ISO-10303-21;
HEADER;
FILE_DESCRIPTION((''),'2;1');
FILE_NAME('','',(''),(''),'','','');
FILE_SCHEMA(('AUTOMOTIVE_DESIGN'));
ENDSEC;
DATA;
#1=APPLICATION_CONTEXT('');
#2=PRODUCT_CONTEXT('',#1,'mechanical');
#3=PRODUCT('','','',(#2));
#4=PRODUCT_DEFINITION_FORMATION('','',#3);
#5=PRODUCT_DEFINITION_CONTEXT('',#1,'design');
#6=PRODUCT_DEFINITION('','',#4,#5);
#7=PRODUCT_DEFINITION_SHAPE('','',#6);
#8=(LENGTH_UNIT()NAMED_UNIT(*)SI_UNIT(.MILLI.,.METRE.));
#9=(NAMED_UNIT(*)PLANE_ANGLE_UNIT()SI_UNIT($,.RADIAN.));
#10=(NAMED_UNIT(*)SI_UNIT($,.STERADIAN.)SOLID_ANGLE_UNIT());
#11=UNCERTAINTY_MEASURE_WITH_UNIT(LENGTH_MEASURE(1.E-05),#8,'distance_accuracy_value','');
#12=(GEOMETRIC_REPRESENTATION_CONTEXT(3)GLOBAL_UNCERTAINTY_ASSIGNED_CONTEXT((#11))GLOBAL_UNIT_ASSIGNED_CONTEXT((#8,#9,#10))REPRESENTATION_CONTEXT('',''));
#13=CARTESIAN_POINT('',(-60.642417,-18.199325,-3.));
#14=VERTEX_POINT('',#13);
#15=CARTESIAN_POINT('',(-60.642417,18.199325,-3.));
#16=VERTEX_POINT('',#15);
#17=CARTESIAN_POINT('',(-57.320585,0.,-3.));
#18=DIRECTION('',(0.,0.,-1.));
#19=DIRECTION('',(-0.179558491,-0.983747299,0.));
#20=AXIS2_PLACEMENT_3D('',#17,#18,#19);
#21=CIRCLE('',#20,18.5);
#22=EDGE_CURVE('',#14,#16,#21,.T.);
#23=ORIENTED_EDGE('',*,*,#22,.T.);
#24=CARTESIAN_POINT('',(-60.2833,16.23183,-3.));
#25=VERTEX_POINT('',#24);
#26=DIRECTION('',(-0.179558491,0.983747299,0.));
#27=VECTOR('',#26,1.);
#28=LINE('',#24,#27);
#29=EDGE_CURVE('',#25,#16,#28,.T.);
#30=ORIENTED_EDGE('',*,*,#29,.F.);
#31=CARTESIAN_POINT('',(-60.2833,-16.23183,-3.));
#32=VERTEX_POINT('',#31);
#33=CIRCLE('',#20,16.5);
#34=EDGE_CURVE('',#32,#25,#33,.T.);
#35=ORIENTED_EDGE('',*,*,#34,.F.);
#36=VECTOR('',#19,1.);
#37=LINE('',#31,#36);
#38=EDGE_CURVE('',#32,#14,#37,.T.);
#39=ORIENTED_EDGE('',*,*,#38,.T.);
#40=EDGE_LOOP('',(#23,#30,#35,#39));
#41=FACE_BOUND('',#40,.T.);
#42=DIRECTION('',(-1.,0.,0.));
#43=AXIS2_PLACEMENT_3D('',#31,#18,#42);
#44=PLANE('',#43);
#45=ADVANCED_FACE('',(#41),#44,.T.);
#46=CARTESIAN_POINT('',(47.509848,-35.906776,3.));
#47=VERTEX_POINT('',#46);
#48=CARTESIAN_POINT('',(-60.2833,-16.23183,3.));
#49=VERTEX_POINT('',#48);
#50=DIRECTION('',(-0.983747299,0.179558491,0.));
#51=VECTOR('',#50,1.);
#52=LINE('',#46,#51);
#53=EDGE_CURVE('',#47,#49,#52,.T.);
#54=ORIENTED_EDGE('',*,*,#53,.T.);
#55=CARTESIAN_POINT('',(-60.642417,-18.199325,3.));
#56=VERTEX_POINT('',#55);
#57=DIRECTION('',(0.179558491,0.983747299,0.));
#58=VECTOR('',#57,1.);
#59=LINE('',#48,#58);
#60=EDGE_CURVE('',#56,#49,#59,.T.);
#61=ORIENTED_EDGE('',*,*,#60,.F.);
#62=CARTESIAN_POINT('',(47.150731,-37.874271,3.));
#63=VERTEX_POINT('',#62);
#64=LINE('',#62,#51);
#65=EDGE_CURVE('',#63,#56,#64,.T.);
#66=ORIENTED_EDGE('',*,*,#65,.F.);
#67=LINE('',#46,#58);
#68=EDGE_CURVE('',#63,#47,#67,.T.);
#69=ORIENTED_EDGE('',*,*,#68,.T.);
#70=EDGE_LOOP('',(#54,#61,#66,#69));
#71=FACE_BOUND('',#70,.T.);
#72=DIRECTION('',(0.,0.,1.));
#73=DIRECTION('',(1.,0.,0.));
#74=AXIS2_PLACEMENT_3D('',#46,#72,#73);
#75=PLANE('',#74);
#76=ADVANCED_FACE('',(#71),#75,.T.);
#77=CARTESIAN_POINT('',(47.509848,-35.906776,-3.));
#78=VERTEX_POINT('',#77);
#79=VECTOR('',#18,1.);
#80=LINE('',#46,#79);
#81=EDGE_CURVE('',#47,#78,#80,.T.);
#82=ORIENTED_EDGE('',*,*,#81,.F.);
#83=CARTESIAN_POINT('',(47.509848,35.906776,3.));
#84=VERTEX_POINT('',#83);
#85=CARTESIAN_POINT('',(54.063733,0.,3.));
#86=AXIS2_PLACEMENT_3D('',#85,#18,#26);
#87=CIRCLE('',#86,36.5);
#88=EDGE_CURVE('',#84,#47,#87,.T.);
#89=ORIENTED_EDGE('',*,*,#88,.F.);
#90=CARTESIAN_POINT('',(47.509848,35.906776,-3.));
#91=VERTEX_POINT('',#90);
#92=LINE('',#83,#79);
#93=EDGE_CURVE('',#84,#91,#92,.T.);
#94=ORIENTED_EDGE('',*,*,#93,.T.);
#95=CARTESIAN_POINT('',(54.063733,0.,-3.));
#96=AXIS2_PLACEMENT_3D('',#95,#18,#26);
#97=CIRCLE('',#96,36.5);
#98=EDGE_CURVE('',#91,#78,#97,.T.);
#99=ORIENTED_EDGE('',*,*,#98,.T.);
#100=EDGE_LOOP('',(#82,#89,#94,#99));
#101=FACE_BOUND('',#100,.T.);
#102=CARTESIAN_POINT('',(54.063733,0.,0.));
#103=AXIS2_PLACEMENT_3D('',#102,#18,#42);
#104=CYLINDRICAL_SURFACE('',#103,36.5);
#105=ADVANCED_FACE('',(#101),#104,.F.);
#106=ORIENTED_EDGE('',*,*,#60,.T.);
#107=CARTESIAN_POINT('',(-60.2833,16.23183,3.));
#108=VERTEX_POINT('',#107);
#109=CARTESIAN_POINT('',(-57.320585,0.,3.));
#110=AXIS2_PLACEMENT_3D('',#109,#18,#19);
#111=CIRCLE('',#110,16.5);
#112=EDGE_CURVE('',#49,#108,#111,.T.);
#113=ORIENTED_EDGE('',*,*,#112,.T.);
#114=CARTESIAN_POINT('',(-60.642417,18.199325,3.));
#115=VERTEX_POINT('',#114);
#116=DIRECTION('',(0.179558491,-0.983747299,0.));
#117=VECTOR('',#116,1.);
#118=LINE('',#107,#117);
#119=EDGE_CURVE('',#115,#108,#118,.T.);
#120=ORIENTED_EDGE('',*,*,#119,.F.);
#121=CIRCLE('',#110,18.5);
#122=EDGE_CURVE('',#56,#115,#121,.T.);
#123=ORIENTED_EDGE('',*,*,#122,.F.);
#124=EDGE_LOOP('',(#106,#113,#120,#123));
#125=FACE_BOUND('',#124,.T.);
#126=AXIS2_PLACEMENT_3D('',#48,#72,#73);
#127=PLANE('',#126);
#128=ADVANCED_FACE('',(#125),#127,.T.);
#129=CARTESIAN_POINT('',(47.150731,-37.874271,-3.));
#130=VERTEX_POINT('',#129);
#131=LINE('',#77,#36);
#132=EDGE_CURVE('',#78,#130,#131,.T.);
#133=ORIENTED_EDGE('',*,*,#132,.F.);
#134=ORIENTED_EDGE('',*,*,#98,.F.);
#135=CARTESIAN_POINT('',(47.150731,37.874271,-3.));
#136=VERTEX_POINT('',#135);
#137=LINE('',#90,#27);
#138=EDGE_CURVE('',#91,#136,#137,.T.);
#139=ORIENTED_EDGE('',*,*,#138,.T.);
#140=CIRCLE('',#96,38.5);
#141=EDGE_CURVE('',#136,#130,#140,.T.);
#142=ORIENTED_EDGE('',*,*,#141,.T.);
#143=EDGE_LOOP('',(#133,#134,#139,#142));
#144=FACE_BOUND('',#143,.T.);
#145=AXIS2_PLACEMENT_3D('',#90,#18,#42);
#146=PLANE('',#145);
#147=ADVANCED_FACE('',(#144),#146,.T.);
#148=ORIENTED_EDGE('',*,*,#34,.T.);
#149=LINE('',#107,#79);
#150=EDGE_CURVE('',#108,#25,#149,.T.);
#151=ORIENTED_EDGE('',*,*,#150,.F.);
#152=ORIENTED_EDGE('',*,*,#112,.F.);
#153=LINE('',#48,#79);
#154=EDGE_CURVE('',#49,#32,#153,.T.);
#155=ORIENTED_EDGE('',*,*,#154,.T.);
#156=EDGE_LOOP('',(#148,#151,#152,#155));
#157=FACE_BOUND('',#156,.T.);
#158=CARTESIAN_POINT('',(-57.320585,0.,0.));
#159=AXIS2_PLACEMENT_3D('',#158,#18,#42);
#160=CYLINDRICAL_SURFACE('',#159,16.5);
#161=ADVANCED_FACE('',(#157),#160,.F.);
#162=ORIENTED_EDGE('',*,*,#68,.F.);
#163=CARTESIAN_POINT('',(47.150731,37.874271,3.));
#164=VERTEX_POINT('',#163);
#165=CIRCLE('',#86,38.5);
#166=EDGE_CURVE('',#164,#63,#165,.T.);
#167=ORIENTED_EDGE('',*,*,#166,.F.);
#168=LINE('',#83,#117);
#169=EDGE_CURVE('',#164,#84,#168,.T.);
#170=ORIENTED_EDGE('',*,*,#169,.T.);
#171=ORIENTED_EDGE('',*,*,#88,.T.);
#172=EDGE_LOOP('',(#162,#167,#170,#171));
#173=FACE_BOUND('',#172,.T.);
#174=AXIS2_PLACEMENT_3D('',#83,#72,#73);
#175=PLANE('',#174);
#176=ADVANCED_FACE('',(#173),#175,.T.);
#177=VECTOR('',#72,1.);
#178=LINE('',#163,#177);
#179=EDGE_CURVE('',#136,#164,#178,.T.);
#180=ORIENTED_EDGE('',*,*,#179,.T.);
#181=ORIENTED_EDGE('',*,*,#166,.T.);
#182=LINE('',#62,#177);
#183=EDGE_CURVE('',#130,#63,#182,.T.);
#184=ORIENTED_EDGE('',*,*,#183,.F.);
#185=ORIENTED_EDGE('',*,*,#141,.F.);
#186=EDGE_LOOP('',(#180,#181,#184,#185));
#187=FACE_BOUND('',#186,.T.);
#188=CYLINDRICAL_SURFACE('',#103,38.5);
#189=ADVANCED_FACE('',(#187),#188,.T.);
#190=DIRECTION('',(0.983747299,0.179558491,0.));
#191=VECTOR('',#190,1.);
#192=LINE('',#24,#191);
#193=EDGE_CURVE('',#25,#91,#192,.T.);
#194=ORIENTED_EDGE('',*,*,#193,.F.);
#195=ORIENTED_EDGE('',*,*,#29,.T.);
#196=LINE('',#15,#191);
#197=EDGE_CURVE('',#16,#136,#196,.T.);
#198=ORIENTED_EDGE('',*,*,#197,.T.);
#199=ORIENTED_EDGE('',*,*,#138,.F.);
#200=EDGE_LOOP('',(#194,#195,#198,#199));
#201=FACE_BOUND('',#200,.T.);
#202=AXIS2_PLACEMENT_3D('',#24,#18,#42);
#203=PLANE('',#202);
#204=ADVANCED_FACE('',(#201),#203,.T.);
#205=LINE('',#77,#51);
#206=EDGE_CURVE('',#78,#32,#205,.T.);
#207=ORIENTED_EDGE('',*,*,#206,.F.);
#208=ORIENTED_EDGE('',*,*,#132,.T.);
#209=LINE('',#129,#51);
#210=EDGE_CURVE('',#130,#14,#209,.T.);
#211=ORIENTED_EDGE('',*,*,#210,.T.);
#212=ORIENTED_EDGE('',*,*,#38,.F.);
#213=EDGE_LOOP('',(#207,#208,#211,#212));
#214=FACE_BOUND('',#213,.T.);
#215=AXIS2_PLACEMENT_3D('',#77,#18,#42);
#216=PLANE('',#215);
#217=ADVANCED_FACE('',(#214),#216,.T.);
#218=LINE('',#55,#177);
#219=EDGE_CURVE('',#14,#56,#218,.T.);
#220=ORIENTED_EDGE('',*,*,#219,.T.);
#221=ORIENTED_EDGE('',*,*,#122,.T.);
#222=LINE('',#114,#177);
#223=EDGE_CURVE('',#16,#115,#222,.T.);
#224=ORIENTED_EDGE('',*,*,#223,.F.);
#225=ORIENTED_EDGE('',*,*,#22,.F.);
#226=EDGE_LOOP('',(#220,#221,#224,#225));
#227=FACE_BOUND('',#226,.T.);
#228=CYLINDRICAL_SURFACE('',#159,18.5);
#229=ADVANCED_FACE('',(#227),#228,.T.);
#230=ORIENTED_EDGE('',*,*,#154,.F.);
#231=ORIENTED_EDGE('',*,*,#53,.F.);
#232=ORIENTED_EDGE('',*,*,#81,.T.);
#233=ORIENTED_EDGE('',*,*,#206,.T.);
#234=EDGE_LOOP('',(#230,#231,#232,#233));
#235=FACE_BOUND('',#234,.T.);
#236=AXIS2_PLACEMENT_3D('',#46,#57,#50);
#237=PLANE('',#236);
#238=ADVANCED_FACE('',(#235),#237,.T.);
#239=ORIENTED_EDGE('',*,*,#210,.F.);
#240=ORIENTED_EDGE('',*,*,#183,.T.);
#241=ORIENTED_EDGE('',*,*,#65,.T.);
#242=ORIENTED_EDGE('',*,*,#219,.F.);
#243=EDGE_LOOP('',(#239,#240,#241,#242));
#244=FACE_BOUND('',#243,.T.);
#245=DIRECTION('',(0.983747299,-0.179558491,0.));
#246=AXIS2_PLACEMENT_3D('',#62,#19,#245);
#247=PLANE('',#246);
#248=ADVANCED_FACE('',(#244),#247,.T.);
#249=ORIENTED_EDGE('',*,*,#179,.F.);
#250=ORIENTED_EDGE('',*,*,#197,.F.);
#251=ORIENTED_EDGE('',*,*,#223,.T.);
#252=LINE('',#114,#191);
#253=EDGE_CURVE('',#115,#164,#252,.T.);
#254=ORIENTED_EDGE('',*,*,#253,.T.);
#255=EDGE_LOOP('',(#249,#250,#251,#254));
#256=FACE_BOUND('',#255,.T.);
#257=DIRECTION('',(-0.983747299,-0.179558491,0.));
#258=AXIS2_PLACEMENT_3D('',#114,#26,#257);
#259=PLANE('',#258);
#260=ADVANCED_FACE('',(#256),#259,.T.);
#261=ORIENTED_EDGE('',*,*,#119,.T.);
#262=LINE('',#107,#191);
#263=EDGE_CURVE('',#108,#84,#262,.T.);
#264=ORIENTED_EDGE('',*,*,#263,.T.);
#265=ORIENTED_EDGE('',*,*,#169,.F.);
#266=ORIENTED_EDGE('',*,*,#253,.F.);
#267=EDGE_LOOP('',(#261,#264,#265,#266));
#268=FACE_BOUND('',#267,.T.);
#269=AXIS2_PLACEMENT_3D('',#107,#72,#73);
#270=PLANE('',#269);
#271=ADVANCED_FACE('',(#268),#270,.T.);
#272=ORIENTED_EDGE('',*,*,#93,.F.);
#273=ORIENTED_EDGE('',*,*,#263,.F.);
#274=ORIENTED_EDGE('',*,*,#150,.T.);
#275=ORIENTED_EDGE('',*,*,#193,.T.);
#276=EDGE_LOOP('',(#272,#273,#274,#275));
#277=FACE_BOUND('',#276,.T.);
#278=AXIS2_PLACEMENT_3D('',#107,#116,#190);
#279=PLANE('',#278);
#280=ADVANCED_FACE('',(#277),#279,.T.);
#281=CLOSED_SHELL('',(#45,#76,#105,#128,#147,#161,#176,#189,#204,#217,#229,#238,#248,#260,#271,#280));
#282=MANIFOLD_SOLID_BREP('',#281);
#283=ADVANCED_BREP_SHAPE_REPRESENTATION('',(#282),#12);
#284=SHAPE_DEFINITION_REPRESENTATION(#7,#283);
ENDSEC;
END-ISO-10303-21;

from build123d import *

# Parameters (mm, degrees)
ESBO_O2_W = 6
ESBO_O2_H = 2


with BuildPart() as part:
    # Varredura1: sweep along a path in Esboço1
    with BuildLine(Plane.XY) as varredura1_path:
        Line((-60.462858141, 17.215577733), (47.330289745, 36.890523713))
        ThreePointArc((47.330289745, 36.890523713), (91.563733155, 0), (47.330289745, -36.890523713))
        Line((47.330289745, -36.890523713), (-60.462858141, -17.215577733))
        ThreePointArc((-60.462858141, -17.215577733), (-74.82058455, 0), (-60.462858141, 17.215577733))
    # Esboço2 → Varredura1 (sweep)
    with BuildSketch(Plane(origin=(-60.462858141, 17.215577733, 0), x_dir=(0, 0, -1), z_dir=(0.9837472990234445, 0.17955849092726803, 0))):
        Rectangle(ESBO_O2_W, ESBO_O2_H)
    sweep(path=varredura1_path.line)


solid = part.part
